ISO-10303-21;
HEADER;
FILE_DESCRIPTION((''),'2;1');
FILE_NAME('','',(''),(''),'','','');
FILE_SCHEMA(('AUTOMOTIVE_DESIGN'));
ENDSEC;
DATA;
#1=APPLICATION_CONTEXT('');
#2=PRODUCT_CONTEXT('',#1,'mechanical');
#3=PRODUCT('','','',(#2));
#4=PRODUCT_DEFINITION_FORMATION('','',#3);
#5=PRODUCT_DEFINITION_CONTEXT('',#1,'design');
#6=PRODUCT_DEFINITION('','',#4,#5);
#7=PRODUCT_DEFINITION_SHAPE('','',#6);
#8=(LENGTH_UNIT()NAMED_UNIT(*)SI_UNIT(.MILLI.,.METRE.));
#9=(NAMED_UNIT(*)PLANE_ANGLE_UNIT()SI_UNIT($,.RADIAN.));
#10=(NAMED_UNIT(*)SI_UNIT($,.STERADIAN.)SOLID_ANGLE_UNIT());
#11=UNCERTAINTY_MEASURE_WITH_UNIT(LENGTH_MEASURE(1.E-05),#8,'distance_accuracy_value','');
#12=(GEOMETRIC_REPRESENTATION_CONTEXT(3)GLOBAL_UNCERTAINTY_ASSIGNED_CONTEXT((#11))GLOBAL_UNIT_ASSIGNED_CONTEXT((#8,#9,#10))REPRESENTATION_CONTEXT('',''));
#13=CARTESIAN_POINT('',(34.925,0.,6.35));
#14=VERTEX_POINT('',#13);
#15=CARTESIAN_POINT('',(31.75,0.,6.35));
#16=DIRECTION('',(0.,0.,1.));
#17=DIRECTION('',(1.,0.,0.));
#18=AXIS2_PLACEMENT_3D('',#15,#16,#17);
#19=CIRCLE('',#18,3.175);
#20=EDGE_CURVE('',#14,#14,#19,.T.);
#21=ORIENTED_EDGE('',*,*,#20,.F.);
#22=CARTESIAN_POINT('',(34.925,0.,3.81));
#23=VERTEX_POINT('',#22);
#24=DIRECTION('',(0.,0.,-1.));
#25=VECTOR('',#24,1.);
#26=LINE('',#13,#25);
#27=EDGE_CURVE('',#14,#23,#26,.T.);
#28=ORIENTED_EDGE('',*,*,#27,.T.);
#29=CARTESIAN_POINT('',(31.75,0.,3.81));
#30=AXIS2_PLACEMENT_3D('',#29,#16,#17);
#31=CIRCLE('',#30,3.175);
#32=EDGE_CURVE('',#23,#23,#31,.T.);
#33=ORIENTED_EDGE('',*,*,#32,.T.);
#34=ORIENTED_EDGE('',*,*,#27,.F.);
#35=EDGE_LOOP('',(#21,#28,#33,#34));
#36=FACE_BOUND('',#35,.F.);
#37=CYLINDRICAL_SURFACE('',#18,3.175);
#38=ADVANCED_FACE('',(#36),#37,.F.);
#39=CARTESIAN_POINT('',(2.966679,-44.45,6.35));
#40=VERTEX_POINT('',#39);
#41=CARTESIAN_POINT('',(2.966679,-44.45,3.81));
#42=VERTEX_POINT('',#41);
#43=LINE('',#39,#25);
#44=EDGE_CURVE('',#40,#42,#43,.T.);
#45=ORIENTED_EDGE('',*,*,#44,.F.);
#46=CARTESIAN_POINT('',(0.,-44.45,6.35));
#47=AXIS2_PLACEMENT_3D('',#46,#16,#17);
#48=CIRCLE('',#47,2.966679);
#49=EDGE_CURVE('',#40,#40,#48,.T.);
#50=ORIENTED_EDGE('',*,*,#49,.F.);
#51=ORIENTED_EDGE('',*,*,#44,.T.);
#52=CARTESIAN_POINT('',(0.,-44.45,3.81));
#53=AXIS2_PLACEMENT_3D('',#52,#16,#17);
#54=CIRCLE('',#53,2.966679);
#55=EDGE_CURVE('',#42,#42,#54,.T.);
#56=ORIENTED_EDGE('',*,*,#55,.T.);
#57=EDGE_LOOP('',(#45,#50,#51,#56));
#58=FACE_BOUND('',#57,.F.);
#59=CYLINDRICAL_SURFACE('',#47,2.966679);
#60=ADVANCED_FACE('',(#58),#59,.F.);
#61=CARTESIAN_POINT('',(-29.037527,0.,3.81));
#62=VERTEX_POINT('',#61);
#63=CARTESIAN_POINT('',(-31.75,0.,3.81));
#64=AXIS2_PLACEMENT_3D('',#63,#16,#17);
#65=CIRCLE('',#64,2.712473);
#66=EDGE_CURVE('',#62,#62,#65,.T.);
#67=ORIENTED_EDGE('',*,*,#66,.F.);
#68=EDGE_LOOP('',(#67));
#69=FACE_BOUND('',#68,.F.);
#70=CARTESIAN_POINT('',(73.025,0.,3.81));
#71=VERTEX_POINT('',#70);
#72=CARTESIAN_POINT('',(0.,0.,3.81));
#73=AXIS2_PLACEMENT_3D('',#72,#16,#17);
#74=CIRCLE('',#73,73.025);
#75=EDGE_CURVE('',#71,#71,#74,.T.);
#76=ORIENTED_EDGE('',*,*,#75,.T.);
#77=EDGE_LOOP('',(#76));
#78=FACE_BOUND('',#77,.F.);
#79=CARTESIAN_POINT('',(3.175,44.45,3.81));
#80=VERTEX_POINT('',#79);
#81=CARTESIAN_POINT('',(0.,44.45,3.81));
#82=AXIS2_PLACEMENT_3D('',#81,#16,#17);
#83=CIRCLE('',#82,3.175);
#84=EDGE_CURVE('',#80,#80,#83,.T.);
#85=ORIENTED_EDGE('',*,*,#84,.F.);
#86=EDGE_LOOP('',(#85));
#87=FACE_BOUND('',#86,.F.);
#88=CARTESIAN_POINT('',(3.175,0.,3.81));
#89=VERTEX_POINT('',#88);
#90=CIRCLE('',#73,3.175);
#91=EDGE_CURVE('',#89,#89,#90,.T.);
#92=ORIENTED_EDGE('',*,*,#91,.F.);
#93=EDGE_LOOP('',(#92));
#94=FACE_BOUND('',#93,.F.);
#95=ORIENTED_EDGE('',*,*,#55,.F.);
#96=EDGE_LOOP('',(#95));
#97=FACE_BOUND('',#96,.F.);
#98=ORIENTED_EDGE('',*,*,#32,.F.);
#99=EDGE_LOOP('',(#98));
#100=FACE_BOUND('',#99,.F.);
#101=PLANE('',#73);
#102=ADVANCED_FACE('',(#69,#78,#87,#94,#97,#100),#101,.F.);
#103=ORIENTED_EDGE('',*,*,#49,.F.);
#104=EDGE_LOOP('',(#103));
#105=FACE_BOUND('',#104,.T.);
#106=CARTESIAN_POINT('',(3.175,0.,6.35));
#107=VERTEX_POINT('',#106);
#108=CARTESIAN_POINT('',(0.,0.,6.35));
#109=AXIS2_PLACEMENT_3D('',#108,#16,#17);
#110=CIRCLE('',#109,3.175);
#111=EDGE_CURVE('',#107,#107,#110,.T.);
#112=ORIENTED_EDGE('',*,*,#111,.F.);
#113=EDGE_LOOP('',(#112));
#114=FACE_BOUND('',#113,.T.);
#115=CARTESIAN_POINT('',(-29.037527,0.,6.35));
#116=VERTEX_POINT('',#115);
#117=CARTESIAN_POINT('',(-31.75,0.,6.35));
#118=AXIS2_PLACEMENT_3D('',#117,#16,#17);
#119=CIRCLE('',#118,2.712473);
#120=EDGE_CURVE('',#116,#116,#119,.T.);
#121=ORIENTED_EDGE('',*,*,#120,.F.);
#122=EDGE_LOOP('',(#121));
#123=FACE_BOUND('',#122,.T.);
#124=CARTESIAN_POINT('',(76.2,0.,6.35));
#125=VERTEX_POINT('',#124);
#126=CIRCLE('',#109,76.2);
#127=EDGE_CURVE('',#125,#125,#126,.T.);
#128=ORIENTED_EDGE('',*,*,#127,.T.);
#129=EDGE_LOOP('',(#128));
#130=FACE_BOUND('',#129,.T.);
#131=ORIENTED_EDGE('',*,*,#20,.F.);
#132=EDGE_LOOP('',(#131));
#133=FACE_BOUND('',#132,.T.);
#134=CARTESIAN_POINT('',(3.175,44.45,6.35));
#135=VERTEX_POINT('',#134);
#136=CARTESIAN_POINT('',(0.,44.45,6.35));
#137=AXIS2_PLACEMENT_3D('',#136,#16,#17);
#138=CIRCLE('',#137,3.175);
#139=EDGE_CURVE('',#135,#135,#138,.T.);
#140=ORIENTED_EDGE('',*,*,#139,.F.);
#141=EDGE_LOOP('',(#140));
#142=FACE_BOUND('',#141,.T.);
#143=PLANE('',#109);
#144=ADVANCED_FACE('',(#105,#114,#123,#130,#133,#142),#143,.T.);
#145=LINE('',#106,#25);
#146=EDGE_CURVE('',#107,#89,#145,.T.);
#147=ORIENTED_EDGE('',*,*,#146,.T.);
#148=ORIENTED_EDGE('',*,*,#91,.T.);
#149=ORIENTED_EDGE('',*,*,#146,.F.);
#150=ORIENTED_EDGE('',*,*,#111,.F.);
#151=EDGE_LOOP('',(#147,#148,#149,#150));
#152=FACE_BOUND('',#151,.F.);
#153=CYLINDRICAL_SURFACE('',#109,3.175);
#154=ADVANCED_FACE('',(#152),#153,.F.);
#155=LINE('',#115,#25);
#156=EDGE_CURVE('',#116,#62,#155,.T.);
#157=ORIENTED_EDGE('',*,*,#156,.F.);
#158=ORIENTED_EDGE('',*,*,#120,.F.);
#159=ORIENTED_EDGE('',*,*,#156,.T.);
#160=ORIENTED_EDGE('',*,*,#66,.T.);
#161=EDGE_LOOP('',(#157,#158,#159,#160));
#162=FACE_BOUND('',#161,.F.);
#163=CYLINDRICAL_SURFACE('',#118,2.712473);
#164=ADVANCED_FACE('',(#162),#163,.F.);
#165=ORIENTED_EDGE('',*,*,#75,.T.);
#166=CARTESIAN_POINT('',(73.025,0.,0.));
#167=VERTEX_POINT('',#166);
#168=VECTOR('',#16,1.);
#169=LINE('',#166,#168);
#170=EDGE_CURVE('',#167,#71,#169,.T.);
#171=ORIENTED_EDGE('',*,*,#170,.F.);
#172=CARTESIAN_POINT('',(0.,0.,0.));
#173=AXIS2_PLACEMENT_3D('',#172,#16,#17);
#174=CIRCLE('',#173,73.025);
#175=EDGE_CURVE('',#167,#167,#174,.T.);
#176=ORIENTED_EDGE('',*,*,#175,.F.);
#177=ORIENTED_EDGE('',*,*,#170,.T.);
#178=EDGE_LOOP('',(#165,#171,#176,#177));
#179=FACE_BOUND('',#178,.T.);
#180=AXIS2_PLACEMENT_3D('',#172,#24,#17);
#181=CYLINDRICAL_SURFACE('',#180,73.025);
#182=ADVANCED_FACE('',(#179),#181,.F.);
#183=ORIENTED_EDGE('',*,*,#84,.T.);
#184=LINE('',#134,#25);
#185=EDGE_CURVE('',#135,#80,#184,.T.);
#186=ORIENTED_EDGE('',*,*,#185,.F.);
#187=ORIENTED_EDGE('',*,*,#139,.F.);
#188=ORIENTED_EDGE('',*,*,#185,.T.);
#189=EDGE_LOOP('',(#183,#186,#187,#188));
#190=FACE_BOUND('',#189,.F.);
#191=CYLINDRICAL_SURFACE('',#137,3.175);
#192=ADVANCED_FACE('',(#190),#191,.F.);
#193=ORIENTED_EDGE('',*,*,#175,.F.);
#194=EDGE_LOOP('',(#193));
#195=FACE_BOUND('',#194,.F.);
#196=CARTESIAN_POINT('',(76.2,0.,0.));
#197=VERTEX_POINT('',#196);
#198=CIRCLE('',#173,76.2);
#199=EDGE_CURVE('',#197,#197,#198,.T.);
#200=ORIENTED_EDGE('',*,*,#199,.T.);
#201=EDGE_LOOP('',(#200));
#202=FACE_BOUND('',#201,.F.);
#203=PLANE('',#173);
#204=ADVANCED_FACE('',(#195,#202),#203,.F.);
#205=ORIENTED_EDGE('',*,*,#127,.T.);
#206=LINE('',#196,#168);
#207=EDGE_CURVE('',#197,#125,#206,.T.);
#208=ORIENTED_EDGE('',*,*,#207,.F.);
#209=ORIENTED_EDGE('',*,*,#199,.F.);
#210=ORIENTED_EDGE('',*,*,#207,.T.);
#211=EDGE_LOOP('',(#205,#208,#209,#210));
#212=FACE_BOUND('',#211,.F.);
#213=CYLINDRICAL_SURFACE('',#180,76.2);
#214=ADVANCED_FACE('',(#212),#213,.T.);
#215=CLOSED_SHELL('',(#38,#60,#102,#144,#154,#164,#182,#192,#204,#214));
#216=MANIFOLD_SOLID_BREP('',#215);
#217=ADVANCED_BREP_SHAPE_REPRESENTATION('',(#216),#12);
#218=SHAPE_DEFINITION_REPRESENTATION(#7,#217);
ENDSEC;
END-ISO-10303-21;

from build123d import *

# Parameters (mm, degrees)
F0_R     = 76.2
F1_DEPTH = 6.35
F2_R     = 73.025
F3_DEPTH = 3.81
F4_R     = 2.712473
F4_R_2   = 3.175
F5_DEPTH = 6.351
F6_R     = 3.175
F6_R_2   = 2.966679
F7_DEPTH = 6.351


with BuildPart() as f1:
    # F0 (on Top) → F1 (new body)
    with BuildSketch(Plane.XY):
        Circle(F0_R)
    extrude(amount=F1_DEPTH)

    # F2 (on Top) → F3 (cut)
    with BuildSketch(Plane.XY):
        Circle(F2_R)
    extrude(amount=F3_DEPTH, mode=Mode.SUBTRACT)

    # F4 (on face) → F5 (cut, through all)
    with BuildSketch(Plane.XY.offset(6.35)):
        with Locations((-31.75, 0)):
            Circle(F4_R)
        with Locations((31.75, 0)):
            Circle(F4_R_2)
        Circle(F4_R_2)
    extrude(amount=-F5_DEPTH, mode=Mode.SUBTRACT)

    # F6 (on face) → F7 (cut, through all)
    with BuildSketch(Plane.XY.offset(6.35)):
        with Locations((0, 44.45)):
            Circle(F6_R)
        with Locations((0, -44.45)):
            Circle(F6_R_2)
    extrude(amount=-F7_DEPTH, mode=Mode.SUBTRACT)


solid = f1.part
